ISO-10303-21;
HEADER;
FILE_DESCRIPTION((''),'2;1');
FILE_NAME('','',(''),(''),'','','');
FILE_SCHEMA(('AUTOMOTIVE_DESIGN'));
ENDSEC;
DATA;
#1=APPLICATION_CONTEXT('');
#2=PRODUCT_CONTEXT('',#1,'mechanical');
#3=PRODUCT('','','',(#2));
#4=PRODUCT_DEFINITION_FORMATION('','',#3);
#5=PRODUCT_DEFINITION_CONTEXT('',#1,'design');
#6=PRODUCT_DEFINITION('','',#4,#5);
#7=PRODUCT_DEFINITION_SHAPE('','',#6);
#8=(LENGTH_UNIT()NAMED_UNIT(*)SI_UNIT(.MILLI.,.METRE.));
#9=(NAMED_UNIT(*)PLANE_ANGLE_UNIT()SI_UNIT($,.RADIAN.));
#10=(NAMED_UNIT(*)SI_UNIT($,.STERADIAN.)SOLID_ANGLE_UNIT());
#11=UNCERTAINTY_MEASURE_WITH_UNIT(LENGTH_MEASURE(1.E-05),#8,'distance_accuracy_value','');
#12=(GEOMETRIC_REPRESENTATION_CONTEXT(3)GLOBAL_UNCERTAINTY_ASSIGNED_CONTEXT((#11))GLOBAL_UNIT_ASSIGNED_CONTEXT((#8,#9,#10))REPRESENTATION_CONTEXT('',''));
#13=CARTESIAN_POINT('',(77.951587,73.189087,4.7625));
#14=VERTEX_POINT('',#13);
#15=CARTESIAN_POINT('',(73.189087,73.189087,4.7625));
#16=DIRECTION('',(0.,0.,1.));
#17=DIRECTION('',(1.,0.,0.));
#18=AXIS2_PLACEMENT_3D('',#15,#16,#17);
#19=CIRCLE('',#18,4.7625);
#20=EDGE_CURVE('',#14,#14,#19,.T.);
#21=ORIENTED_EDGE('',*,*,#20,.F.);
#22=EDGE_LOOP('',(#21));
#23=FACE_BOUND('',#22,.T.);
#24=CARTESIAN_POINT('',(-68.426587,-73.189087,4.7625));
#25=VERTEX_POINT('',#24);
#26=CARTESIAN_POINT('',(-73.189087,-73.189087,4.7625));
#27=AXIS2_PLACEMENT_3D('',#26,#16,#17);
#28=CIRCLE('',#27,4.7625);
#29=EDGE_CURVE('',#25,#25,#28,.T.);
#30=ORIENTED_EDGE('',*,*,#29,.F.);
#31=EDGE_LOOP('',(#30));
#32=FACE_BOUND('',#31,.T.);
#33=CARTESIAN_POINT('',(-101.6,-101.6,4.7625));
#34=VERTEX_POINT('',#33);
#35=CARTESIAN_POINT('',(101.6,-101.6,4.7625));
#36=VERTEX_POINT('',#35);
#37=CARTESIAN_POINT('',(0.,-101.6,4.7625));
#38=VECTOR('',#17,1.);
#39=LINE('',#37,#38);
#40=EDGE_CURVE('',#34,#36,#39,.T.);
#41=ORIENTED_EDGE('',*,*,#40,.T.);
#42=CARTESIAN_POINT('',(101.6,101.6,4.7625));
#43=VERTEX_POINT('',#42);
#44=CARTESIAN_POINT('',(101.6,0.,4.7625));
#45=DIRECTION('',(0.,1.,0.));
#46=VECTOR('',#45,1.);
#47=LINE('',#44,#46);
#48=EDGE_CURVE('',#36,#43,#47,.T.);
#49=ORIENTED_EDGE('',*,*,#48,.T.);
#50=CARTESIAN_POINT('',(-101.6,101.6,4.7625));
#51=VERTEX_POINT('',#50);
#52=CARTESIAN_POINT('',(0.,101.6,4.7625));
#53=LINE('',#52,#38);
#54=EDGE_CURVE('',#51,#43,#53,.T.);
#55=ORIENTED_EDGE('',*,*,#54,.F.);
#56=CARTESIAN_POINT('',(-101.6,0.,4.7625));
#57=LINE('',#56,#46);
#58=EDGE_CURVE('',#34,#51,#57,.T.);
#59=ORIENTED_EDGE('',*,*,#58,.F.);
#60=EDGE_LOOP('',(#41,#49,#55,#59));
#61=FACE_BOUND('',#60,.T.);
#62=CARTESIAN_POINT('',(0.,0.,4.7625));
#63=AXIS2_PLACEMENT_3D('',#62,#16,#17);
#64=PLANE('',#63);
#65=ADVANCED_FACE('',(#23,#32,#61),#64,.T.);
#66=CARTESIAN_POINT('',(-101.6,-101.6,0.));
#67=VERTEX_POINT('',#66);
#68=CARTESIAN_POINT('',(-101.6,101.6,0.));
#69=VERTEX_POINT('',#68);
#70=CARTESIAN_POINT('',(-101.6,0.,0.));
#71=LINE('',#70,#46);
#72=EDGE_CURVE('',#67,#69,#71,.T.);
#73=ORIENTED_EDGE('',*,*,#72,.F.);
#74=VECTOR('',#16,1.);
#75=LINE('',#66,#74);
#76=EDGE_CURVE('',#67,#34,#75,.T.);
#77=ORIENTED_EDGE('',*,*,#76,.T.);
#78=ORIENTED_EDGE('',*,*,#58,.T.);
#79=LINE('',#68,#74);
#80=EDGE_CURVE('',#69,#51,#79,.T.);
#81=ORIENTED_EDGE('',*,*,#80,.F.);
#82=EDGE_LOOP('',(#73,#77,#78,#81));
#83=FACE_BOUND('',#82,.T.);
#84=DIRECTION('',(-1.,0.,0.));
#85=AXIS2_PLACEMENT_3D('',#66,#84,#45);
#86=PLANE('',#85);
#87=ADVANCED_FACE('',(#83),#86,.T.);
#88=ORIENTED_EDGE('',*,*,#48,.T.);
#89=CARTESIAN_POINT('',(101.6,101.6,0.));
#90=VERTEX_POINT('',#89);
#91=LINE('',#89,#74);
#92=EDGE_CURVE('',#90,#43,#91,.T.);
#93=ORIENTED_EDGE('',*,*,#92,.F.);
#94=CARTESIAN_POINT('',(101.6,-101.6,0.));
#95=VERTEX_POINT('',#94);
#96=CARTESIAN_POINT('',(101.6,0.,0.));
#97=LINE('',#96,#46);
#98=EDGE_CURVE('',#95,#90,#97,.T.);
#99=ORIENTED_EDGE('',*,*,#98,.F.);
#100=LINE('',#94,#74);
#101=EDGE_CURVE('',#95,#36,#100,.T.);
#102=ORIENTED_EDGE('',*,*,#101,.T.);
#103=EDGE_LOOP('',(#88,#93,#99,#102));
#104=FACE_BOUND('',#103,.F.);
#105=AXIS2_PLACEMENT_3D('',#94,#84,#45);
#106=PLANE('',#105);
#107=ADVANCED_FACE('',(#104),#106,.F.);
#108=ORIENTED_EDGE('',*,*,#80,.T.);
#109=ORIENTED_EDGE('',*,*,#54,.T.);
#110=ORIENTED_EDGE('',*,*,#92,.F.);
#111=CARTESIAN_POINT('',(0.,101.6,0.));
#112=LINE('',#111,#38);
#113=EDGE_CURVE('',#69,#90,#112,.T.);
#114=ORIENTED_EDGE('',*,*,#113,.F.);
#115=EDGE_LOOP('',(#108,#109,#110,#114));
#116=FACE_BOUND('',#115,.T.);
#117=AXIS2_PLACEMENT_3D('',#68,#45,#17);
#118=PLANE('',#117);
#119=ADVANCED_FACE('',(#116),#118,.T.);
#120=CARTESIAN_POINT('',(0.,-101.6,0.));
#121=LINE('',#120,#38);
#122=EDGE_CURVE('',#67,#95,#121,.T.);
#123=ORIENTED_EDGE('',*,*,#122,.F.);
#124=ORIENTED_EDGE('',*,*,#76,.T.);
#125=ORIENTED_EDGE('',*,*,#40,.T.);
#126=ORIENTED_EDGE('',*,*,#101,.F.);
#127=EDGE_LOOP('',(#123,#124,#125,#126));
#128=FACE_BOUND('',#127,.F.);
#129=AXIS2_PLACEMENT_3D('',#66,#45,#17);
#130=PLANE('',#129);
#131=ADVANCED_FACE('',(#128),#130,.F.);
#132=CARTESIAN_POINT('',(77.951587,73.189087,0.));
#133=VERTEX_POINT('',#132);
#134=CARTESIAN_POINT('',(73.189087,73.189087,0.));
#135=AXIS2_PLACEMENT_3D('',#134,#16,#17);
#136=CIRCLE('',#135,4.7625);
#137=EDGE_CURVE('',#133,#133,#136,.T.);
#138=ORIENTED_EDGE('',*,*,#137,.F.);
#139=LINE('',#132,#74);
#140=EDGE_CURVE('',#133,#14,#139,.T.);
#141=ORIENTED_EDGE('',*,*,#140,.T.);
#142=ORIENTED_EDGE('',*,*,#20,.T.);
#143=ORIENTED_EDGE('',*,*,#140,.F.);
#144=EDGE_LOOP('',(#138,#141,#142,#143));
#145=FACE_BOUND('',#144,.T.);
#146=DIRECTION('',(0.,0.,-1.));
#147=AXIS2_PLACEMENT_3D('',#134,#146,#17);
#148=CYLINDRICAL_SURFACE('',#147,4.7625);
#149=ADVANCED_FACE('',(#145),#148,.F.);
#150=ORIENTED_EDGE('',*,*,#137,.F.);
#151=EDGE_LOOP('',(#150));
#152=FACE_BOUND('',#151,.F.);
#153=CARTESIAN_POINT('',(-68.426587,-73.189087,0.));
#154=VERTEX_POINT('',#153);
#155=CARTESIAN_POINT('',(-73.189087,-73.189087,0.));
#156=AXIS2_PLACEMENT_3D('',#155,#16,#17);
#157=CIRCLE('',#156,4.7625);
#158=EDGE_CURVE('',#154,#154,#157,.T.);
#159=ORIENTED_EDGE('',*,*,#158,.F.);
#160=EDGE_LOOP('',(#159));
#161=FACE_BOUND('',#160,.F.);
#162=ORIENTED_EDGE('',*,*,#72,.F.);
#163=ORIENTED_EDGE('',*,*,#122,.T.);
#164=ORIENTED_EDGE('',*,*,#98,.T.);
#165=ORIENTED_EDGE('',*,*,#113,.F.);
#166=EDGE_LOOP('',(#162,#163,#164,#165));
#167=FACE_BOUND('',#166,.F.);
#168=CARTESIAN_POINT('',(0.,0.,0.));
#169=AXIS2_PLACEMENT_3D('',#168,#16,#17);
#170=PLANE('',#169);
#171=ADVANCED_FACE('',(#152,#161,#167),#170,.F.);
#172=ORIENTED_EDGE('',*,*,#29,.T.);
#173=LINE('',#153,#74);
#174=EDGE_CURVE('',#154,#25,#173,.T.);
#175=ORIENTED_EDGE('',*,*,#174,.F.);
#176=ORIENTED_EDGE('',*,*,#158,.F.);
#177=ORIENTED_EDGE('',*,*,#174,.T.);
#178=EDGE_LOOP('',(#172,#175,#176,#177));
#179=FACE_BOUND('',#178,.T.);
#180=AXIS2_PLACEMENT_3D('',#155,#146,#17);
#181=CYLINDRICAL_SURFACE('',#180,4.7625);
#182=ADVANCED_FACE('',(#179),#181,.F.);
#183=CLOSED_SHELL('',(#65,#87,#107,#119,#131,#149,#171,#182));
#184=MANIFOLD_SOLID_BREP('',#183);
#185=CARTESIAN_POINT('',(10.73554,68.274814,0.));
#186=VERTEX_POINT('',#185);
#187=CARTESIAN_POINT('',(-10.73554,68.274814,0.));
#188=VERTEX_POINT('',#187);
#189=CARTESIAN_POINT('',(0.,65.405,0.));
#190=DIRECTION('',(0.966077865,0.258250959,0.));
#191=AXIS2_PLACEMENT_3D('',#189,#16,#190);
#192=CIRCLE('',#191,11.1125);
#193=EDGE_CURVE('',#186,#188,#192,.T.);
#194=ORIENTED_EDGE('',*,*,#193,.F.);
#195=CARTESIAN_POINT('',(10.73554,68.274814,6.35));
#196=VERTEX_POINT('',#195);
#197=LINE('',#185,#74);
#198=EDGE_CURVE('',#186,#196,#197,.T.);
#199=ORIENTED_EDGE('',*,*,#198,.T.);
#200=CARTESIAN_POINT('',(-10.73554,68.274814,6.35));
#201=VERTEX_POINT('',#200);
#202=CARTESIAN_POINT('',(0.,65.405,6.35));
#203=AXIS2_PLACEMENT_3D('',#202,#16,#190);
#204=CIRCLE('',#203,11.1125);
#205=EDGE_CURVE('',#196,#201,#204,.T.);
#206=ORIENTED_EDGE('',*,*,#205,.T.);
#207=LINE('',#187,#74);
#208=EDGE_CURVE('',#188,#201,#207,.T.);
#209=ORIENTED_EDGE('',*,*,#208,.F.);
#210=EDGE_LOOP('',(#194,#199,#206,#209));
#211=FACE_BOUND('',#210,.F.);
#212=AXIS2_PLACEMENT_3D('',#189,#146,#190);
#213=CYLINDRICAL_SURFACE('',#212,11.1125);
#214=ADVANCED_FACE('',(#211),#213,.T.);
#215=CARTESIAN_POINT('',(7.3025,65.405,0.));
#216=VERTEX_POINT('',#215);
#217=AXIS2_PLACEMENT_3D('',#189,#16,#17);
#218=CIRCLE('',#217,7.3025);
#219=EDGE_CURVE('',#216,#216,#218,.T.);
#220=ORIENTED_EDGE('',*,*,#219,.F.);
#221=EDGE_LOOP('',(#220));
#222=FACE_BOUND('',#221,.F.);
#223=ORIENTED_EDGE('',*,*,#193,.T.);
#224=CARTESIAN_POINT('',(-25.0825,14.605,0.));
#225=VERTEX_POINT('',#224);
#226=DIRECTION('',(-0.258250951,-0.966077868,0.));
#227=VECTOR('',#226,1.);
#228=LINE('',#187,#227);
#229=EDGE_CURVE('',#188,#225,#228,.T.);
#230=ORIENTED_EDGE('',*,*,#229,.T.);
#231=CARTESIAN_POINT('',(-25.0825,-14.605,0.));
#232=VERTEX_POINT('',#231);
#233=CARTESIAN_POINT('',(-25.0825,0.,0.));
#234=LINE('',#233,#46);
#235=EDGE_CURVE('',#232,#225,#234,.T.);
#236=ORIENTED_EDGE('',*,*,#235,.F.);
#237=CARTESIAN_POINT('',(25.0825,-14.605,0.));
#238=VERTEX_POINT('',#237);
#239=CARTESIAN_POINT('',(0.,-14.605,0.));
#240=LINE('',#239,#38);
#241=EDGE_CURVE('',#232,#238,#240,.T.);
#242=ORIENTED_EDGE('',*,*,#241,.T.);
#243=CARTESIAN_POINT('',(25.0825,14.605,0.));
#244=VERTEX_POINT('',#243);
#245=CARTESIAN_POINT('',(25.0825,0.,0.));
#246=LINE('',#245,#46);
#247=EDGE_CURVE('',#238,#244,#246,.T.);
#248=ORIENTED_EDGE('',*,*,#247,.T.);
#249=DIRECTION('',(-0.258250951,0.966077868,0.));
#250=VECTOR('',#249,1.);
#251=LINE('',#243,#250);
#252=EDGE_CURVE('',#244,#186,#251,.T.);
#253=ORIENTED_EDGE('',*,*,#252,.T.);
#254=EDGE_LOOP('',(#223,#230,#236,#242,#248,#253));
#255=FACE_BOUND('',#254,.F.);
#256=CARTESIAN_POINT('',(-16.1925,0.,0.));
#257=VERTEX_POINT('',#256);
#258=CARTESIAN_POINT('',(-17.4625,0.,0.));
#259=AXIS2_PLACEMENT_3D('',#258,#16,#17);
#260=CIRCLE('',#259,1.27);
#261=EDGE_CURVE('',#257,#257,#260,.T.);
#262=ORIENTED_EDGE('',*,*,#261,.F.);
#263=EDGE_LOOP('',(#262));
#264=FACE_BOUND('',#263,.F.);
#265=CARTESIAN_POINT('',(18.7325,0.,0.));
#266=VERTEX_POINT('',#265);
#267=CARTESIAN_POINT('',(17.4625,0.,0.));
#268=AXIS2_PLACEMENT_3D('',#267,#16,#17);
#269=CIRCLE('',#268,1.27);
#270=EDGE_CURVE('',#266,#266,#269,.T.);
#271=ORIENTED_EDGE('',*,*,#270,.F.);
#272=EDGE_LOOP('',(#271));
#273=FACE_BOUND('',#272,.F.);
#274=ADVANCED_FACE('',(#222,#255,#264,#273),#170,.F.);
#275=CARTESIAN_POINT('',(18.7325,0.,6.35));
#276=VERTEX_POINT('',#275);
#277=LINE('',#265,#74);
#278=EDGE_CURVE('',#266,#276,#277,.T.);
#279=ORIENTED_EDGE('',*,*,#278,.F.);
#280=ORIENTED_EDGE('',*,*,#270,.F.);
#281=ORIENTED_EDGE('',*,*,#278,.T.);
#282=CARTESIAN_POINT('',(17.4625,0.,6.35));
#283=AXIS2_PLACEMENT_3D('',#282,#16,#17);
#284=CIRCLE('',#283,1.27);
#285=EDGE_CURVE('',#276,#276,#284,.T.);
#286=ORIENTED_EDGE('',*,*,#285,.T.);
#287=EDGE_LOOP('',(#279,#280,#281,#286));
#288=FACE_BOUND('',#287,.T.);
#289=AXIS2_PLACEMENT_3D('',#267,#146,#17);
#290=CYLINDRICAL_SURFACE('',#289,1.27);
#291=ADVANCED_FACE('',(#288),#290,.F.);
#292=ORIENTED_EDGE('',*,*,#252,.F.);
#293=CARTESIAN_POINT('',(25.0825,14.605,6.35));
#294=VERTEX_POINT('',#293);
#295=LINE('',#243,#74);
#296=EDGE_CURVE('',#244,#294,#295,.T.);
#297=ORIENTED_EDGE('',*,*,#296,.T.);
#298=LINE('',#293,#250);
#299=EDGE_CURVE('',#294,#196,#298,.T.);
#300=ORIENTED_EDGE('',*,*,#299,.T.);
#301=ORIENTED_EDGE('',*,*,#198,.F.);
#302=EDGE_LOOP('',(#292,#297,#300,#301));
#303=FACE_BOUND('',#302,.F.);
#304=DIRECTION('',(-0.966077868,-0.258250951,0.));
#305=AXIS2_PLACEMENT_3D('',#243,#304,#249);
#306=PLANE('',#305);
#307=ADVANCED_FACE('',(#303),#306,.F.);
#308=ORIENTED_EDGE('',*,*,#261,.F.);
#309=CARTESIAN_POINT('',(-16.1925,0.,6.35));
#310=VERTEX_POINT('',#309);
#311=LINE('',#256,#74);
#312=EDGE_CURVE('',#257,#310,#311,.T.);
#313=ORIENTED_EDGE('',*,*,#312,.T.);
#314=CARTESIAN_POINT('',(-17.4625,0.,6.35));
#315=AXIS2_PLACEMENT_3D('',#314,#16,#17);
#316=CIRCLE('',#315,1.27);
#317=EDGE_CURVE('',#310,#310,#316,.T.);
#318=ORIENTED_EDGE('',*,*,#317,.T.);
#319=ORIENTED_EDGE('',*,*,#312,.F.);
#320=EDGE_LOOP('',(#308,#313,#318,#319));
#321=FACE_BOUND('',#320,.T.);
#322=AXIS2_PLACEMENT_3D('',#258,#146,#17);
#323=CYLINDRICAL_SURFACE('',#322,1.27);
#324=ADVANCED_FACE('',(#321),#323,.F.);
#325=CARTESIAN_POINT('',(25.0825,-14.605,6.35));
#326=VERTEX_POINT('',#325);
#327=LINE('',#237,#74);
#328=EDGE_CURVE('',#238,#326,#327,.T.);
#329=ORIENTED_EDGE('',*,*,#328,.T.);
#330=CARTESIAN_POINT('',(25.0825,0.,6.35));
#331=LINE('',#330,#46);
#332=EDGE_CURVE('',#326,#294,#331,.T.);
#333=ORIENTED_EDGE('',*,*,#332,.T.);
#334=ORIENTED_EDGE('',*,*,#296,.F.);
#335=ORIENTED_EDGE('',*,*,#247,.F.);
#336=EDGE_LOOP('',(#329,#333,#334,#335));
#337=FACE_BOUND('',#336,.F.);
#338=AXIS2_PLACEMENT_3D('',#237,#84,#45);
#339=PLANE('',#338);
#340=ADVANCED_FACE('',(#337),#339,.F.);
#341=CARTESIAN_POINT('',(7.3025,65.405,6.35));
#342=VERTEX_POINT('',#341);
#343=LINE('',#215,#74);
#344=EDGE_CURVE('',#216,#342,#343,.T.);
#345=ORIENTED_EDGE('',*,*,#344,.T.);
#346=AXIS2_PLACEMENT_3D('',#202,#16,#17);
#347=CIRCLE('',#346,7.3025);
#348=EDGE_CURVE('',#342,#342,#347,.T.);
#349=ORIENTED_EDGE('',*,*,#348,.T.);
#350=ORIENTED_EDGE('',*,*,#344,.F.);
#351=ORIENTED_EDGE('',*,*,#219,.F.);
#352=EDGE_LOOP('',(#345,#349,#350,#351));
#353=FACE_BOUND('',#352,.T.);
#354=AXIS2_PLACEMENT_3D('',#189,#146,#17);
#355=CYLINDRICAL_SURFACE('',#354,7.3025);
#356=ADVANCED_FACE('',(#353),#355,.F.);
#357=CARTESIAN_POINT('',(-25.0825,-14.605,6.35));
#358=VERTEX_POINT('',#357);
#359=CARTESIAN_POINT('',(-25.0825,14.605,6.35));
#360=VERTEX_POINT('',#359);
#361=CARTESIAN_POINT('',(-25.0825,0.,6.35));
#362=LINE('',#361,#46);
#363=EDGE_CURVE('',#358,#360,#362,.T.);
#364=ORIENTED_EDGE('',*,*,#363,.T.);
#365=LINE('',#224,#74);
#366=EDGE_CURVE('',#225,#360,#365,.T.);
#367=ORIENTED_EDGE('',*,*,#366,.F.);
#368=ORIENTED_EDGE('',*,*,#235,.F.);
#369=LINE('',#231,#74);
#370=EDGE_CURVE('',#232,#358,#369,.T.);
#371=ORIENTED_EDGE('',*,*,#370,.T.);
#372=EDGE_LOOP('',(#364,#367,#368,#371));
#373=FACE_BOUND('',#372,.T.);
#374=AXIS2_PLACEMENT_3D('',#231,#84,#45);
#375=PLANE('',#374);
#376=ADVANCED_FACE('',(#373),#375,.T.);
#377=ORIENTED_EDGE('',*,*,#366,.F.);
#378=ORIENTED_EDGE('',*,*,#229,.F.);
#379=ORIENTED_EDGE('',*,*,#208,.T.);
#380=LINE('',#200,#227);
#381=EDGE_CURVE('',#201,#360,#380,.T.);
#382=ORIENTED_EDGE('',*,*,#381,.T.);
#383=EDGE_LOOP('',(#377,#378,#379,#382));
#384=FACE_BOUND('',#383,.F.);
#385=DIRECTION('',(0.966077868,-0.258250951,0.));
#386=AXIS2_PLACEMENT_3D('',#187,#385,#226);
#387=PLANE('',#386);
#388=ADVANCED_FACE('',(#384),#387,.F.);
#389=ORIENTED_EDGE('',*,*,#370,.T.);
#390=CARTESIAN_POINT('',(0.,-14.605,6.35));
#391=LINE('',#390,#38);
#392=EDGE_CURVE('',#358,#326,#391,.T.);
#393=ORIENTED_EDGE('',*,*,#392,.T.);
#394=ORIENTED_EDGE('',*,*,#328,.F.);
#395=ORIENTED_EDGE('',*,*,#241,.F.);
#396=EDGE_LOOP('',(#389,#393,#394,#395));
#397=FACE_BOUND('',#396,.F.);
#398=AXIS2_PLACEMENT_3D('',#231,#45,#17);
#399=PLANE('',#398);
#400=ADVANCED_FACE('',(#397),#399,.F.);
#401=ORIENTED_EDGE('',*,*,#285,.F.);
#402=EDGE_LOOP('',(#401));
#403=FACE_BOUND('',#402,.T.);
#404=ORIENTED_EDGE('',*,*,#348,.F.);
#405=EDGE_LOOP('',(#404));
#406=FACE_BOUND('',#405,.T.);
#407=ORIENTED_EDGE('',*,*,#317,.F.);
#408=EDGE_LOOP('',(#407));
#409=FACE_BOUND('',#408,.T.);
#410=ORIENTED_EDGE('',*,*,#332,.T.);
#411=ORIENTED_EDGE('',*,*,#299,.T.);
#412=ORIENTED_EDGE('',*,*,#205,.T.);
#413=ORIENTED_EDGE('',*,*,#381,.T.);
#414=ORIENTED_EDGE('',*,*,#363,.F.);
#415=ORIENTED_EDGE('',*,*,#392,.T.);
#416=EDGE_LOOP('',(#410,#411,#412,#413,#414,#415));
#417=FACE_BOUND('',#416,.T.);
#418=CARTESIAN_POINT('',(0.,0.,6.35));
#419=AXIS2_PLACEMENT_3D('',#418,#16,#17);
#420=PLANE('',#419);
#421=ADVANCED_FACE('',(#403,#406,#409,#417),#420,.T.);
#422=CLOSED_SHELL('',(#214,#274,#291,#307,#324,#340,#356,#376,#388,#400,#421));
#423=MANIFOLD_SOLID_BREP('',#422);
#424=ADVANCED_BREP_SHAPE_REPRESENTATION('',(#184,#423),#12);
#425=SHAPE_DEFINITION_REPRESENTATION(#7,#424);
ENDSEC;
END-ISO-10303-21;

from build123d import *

# Parameters (mm, degrees)
F0_W     = 50.165
F0_H     = 29.21
F0_R     = 1.27
F0_R_2   = 7.3025
F1_DEPTH = 6.35
F2_W     = 203.2
F2_H     = 203.2
F2_R     = 4.7625
F3_DEPTH = 4.7625


with BuildPart() as f1:
    # F0 (on Top) → F1 (new body)
    with BuildSketch(Plane.XY):
        Rectangle(F0_W, F0_H)
        with Locations((-17.4625, 0)):
            Circle(F0_R, mode=Mode.SUBTRACT)
        with Locations((17.4625, 0)):
            Circle(F0_R, mode=Mode.SUBTRACT)
        with BuildLine():
            Line((-25.0825, 14.605), (25.0825, 14.605))
            Line((25.0825, 14.605), (10.73554, 68.274814))
            ThreePointArc((10.73554, 68.274814), (11.017857, 66.852233), (11.1125, 65.405))
            ThreePointArc((11.1125, 65.405), (-1.447233, 54.387143), (-10.73554, 68.274814))
            Line((-10.73554, 68.274814), (-25.0825, 14.605))
        make_face()
        with BuildLine():
            ThreePointArc((11.1125, 65.405), (11.017857, 66.852233), (10.73554, 68.274814))
            ThreePointArc((10.73554, 68.274814), (0, 76.5175), (-10.73554, 68.274814))
            ThreePointArc((-10.73554, 68.274814), (-1.447233, 54.387143), (11.1125, 65.405))
        make_face()
        with Locations((0, 65.405)):
            Circle(F0_R_2, mode=Mode.SUBTRACT)
    extrude(amount=F1_DEPTH)


with BuildPart() as f3:
    # F2 (on Top) → F3 (new body)
    with BuildSketch(Plane.XY):
        Rectangle(F2_W, F2_H)
        with Locations((-73.189087, -73.189087)):
            Circle(F2_R, mode=Mode.SUBTRACT)
        with Locations((73.189087, 73.189087)):
            Circle(F2_R, mode=Mode.SUBTRACT)
    extrude(amount=F3_DEPTH)


solid = Compound([f1.part, f3.part])
